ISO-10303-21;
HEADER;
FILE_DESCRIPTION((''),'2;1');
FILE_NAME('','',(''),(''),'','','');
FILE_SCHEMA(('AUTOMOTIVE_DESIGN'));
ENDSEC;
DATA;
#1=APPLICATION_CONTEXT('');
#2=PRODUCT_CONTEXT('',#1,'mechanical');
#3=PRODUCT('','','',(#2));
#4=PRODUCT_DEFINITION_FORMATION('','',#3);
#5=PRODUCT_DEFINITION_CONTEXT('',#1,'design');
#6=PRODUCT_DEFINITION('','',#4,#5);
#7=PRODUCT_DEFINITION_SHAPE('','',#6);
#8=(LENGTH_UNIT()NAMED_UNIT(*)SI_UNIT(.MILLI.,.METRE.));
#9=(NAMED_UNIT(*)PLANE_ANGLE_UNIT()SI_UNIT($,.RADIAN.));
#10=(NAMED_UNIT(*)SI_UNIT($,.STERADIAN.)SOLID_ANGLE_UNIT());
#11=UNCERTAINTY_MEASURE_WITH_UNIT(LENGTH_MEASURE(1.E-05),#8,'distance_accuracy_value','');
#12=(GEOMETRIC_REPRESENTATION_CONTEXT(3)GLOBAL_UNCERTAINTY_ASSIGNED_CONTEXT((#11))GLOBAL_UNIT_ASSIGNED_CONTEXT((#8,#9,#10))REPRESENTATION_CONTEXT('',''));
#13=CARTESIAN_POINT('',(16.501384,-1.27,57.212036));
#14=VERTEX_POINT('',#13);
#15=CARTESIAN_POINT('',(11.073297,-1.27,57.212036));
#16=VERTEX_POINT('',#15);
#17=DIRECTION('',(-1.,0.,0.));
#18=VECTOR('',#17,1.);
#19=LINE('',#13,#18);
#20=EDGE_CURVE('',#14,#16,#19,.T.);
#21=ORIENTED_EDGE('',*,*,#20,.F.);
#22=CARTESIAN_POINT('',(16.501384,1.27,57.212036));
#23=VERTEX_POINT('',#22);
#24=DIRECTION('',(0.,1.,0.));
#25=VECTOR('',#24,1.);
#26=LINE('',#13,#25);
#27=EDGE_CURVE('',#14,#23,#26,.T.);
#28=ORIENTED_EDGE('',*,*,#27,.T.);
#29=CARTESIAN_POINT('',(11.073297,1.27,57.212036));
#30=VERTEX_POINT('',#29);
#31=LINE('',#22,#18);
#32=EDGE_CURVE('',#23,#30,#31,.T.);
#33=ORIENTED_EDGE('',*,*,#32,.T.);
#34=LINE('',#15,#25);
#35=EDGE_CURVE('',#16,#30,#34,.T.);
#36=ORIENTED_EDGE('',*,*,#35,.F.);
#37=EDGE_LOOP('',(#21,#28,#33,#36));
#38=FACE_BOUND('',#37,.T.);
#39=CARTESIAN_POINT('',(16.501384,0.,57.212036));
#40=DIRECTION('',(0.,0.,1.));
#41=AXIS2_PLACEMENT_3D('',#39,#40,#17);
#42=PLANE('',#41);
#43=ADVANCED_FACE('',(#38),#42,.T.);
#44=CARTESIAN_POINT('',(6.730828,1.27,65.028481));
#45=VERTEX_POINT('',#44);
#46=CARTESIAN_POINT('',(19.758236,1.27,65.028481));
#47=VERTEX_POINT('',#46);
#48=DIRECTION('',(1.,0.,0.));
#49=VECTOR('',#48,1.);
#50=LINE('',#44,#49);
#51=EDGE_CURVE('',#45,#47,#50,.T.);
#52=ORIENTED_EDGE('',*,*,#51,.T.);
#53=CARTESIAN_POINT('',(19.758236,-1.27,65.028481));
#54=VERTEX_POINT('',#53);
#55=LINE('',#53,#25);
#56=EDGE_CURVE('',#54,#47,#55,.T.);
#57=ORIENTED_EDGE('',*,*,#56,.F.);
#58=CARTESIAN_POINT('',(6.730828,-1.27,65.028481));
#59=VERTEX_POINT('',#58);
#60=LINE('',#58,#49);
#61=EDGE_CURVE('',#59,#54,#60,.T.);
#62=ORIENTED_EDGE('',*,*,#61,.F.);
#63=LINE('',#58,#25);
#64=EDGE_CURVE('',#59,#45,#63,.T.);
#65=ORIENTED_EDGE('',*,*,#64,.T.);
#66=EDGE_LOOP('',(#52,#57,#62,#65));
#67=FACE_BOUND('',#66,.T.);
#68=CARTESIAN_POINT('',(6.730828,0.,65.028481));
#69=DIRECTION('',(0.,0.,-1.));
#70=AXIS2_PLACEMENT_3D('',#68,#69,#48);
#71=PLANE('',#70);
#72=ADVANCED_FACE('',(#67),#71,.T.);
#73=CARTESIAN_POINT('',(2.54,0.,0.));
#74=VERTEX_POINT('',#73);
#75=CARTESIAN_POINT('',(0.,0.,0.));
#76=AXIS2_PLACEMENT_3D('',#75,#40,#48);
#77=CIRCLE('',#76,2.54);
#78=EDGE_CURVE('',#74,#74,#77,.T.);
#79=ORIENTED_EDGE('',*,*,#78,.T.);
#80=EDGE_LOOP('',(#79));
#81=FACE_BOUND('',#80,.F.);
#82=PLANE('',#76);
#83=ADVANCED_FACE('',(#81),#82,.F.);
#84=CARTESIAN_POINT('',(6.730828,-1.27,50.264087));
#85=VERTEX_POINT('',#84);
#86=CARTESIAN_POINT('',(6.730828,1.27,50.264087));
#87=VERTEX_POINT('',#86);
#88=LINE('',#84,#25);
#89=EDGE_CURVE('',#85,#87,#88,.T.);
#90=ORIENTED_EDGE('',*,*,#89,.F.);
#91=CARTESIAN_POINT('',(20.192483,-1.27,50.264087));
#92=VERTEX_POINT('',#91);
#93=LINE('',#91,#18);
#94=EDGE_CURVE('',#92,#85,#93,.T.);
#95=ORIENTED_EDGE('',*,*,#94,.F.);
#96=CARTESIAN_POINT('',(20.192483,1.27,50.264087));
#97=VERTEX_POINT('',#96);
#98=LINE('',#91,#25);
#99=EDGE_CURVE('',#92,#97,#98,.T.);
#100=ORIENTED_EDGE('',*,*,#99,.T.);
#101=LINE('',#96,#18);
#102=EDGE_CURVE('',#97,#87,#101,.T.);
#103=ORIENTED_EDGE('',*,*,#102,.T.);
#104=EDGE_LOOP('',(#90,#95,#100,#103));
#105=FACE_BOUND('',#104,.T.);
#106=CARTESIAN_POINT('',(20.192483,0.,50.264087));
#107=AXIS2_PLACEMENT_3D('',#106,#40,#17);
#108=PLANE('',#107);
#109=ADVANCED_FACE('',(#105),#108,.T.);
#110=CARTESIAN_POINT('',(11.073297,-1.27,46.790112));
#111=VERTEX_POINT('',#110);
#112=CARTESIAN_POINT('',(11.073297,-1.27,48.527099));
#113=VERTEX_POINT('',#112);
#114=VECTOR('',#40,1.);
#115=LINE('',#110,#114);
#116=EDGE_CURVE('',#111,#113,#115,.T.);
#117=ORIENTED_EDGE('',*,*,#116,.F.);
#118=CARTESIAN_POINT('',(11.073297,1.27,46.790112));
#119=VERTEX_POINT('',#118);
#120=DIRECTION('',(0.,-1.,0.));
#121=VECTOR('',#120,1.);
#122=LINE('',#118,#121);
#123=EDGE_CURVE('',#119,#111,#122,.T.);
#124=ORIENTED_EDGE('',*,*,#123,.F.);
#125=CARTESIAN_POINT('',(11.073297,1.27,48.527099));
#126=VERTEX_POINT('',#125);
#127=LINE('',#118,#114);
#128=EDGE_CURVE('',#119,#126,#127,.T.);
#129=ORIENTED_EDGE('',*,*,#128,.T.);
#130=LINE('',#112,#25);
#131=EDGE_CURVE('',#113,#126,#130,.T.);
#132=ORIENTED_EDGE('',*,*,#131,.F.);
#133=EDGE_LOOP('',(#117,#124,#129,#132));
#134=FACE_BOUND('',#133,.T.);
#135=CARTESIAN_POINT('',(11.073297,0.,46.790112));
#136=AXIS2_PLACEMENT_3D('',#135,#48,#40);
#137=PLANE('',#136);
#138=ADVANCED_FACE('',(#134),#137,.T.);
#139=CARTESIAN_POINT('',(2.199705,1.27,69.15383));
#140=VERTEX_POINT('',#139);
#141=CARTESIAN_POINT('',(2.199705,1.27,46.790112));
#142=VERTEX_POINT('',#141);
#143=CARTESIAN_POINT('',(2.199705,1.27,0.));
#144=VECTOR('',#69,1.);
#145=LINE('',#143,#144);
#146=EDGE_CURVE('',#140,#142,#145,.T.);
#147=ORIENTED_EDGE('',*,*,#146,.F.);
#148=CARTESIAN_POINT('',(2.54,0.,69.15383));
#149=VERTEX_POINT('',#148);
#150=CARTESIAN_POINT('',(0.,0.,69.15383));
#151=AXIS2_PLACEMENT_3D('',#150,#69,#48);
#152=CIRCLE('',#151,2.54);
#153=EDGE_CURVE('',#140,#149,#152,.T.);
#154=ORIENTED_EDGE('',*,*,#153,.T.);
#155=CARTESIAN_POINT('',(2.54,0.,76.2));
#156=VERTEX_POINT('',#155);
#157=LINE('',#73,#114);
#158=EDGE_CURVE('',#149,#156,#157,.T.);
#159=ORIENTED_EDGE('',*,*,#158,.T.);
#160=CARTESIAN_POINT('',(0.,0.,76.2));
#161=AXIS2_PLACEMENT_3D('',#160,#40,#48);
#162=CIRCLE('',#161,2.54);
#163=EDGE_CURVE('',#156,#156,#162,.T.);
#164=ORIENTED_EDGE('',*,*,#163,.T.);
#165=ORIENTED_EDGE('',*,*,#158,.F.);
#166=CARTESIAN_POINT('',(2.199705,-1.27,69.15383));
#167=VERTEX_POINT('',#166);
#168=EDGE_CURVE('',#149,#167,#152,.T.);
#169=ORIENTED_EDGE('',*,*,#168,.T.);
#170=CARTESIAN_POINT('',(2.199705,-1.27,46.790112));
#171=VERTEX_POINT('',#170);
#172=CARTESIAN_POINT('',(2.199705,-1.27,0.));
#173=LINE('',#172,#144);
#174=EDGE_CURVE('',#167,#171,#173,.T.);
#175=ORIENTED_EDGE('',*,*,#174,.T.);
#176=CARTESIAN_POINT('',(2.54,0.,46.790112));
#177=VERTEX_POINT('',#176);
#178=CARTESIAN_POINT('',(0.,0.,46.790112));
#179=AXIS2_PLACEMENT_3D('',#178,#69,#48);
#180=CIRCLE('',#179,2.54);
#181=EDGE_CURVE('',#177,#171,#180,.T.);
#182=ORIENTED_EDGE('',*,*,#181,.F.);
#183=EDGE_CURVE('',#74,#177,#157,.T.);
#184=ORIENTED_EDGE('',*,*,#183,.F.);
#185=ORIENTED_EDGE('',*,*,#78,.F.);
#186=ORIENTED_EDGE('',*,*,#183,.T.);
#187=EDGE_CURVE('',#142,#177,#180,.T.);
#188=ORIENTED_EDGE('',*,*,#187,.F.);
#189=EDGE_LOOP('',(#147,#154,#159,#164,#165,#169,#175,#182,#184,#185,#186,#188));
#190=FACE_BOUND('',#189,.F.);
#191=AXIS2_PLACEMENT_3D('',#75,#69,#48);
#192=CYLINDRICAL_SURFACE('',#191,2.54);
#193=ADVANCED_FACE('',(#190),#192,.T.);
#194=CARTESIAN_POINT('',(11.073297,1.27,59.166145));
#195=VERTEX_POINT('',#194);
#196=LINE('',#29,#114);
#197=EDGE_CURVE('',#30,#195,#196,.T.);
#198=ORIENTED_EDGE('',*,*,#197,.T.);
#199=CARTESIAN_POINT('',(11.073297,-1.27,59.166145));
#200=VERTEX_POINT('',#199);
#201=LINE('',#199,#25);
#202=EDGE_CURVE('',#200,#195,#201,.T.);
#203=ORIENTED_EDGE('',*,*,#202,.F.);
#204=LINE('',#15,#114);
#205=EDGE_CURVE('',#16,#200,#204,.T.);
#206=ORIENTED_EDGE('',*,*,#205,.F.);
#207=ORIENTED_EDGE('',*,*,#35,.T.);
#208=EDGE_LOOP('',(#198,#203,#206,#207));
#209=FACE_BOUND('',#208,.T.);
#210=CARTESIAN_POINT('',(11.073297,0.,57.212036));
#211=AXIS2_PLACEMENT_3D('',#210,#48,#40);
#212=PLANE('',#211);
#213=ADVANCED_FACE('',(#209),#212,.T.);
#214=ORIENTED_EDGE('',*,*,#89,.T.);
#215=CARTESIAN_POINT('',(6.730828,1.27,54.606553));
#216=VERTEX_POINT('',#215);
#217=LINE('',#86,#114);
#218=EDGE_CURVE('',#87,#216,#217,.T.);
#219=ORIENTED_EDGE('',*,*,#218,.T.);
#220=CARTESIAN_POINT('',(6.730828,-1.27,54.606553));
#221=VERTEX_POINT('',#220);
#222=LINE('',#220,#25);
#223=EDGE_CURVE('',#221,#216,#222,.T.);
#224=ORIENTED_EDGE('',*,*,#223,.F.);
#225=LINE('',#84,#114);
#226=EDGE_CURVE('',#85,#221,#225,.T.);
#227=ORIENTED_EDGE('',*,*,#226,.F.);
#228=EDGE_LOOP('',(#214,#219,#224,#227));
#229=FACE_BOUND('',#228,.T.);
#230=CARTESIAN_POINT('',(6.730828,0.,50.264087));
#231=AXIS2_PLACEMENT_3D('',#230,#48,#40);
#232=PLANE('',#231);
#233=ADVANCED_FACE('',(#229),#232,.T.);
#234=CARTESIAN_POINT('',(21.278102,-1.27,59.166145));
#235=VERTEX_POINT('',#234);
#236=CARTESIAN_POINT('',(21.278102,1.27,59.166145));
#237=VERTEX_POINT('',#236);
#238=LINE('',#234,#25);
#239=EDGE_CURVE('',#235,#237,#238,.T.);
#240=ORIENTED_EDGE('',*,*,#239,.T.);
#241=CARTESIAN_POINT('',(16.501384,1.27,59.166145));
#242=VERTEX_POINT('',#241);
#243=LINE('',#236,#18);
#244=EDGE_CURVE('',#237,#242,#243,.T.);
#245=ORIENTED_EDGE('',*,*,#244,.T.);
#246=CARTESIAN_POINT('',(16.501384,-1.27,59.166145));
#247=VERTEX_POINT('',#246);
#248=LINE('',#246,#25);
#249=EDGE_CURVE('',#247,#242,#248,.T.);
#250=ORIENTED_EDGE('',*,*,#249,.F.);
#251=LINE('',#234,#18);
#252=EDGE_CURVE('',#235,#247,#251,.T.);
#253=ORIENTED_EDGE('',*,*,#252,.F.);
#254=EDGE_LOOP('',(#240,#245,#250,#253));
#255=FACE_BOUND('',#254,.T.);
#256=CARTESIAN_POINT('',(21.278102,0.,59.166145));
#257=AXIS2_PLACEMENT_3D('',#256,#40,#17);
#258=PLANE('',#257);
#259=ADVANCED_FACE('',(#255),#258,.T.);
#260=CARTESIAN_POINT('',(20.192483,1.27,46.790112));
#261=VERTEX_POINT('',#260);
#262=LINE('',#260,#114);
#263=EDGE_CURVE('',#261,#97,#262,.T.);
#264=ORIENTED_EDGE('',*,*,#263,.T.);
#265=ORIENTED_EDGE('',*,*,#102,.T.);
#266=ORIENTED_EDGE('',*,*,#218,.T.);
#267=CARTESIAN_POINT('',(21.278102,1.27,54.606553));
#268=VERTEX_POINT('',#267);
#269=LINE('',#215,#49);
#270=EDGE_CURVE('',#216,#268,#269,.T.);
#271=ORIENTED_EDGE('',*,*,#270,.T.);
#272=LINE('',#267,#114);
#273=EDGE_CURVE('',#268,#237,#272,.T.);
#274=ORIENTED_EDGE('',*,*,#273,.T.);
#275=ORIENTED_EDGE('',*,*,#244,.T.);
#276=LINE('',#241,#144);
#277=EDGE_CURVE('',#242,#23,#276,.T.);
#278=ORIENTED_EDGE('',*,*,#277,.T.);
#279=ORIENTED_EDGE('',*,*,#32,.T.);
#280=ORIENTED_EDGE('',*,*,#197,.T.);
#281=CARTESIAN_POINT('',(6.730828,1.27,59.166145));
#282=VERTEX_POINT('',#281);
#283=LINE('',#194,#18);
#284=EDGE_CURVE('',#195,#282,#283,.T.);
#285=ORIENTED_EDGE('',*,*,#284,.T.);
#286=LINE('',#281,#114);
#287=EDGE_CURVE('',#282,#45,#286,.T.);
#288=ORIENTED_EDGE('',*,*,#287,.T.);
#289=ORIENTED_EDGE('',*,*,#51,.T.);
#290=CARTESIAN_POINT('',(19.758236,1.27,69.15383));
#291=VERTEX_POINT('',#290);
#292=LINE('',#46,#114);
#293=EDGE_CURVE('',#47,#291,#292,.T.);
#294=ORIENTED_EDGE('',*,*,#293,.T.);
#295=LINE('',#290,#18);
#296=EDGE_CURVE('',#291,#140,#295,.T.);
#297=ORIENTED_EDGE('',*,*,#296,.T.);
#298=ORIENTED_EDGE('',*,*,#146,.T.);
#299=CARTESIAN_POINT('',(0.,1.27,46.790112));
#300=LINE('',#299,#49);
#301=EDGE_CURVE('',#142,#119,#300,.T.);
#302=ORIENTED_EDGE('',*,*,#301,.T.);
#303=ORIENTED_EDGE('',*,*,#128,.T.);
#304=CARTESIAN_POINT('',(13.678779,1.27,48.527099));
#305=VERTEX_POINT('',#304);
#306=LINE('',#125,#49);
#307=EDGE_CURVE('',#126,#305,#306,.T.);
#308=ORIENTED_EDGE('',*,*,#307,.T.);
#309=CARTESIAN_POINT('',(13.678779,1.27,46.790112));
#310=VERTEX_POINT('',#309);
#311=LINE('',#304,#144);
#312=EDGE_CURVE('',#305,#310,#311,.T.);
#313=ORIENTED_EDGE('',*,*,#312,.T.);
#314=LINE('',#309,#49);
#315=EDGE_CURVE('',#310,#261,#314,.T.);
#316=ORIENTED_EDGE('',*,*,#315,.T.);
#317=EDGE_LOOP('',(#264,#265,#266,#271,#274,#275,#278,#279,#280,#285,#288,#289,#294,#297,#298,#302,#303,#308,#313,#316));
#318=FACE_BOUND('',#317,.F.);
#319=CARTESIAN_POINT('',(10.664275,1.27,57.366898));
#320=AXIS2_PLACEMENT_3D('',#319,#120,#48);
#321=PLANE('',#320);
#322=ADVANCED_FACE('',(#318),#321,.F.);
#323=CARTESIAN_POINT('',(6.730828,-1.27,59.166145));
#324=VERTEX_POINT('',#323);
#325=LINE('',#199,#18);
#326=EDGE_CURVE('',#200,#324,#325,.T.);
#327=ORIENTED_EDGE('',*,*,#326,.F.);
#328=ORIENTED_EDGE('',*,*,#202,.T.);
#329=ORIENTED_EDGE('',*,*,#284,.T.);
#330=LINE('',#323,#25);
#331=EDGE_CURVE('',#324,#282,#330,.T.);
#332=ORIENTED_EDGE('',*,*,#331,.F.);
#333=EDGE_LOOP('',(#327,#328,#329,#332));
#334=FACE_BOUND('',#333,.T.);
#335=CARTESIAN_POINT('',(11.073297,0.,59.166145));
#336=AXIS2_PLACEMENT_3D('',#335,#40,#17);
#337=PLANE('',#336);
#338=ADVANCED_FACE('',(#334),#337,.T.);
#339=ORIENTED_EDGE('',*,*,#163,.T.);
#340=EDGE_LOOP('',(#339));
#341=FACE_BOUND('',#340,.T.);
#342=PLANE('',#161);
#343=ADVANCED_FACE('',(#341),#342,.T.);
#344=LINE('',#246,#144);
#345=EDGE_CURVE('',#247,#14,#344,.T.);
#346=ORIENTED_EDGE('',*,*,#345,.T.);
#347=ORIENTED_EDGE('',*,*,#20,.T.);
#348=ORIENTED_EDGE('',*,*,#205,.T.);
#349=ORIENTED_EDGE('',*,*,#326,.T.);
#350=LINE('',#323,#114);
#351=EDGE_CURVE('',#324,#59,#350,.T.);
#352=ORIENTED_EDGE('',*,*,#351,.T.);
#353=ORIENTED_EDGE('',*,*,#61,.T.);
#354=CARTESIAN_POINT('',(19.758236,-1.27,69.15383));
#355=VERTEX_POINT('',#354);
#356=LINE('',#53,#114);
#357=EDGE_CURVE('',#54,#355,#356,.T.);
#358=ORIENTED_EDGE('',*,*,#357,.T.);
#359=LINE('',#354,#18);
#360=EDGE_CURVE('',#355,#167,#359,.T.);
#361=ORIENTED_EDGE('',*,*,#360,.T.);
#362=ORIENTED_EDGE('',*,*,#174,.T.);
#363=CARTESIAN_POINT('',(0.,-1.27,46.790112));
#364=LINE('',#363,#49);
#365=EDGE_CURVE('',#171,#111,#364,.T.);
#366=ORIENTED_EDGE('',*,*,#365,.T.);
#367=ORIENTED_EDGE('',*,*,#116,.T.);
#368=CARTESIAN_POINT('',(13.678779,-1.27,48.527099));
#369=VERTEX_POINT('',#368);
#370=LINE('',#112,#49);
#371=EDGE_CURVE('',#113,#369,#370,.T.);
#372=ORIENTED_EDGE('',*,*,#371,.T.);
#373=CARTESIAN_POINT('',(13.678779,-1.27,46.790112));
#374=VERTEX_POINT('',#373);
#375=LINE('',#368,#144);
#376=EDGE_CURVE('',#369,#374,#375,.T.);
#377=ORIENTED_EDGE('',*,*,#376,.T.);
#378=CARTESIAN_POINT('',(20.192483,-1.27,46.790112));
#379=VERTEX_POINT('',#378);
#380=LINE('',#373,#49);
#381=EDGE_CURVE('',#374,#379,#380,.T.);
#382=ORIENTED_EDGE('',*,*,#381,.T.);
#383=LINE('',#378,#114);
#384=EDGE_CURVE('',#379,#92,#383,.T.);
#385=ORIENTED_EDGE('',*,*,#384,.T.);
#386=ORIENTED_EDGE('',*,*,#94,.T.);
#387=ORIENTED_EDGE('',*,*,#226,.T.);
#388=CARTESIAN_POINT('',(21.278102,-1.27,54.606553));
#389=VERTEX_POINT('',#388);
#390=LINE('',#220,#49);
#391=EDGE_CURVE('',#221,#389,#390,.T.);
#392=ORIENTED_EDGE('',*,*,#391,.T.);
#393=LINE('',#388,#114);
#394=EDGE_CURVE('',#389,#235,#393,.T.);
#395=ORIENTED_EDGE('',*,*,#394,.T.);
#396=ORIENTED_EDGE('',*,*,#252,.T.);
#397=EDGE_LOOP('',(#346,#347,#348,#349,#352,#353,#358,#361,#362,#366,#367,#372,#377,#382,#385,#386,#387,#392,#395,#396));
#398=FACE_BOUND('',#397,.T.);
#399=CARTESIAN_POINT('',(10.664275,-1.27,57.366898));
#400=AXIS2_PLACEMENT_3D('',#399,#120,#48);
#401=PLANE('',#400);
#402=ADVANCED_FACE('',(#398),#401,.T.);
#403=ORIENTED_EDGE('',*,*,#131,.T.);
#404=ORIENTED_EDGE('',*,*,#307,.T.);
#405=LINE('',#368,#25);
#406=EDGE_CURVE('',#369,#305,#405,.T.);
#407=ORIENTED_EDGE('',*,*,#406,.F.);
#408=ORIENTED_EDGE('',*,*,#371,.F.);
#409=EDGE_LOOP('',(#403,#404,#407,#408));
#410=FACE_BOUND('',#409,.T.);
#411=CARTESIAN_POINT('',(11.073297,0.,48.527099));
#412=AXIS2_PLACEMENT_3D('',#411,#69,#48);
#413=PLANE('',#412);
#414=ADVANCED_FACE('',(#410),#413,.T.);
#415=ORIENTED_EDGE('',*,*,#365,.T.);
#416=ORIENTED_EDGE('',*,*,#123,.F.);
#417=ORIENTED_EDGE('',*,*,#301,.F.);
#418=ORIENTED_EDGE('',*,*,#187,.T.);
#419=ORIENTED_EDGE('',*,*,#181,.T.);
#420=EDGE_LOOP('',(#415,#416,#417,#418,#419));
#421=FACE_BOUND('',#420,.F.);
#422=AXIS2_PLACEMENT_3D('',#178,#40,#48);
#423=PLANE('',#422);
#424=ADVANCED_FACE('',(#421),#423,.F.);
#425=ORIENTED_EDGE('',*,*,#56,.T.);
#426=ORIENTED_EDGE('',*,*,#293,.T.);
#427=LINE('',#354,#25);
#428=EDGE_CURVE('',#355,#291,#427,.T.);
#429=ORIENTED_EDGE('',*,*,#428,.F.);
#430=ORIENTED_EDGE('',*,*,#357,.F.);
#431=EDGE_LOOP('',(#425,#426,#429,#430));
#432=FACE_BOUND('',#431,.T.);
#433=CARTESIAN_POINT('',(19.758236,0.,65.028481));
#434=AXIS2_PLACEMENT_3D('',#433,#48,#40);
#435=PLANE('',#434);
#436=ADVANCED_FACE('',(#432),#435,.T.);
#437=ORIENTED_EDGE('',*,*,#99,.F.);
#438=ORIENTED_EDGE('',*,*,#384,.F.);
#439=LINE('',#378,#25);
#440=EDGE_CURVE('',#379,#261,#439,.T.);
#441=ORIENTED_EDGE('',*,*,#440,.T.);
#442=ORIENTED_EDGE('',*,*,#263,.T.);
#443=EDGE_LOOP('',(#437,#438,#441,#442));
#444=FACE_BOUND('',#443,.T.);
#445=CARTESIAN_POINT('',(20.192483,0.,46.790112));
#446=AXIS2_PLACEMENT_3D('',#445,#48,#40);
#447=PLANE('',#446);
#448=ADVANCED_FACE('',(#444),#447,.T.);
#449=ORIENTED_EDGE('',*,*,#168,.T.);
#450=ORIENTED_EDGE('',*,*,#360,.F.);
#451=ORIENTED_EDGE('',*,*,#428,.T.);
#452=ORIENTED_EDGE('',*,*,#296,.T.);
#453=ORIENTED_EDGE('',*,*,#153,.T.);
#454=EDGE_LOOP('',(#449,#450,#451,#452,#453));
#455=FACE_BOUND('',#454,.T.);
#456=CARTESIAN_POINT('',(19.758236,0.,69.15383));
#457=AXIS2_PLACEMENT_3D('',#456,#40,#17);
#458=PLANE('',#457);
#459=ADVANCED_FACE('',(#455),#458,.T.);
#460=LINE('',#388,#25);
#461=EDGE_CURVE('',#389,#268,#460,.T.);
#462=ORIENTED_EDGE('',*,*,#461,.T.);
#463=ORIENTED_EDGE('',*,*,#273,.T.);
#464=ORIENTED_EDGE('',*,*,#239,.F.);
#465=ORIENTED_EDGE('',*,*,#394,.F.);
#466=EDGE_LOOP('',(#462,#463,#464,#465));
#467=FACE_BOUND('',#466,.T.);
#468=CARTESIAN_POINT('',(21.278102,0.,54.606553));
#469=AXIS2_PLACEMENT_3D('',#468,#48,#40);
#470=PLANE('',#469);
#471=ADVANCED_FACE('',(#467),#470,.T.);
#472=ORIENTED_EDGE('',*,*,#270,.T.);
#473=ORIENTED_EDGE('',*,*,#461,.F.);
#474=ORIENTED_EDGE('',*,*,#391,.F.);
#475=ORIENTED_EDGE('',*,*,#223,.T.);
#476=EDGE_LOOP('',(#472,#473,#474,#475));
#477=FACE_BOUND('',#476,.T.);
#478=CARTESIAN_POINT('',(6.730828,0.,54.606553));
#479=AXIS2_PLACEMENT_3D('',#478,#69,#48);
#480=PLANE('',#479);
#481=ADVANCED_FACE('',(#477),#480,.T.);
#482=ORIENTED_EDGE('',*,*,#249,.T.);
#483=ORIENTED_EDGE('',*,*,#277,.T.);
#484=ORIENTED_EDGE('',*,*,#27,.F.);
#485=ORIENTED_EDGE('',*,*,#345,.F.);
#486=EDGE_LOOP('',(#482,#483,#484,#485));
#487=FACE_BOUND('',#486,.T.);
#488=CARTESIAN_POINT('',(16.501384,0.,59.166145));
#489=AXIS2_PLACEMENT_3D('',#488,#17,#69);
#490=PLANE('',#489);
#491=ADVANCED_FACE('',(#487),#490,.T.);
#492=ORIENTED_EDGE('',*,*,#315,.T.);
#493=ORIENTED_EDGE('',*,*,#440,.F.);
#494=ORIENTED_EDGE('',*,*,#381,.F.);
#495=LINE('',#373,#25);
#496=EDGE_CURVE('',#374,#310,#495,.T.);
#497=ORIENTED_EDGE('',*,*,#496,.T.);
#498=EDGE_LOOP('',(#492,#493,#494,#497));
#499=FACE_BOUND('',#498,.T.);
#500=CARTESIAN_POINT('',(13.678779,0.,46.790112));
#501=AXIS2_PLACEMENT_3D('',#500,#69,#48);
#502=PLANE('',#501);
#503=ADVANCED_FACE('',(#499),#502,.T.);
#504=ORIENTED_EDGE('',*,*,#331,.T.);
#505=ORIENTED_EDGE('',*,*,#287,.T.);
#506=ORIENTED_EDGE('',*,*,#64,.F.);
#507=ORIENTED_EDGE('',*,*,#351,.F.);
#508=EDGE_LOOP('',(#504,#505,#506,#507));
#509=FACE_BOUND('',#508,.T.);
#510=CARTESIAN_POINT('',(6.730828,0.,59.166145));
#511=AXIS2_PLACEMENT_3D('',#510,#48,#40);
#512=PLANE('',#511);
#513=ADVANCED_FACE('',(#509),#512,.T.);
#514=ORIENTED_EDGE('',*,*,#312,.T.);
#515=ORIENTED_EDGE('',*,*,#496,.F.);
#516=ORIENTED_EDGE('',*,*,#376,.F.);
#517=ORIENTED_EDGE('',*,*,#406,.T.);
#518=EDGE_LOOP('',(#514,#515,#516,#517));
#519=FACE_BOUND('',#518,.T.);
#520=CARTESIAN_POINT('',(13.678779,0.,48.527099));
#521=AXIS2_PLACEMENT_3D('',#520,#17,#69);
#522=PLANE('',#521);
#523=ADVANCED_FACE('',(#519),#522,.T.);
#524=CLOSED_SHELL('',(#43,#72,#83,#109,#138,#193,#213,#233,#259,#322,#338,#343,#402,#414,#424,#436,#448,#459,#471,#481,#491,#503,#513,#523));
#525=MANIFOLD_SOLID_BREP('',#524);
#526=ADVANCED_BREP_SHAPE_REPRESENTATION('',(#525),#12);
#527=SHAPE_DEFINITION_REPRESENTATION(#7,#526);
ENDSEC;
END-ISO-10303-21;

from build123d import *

# Parameters (mm, degrees)
F0_R     = 2.54
F1_DEPTH = 76.2
F3_DEPTH = 1.27
F4_DEPTH = 1.27


with BuildPart() as f1:
    # F0 (on Top) → F1 (new body)
    with BuildSketch(Plane.XY):
        Circle(F0_R)
    extrude(amount=F1_DEPTH)

    # F2 (on Front) → F3 (join)
    with BuildSketch(Plane.XZ):
        Polygon((19.7582356632, 69.153830409), (0, 69.153830409), (0, 46.79011181), (11.0732968897, 46.79011181), (11.0732968897, 48.5270991921), (13.6787788942, 48.5270991921), (13.6787788942, 46.79011181), (20.19248344, 46.79011181), (20.19248344, 50.2640865743), (6.7308279686, 50.2640865743), (6.7308279686, 54.6065531671), (21.2781019509, 54.6065531671), (21.2781019509, 59.1661445796), (16.5013838559, 59.1661445796), (16.5013838559, 57.212036103), (11.0732968897, 57.212036103), (11.0732968897, 59.1661445796), (6.7308279686, 59.1661445796), (6.7308279686, 65.0284811854), (19.7582356632, 65.0284811854), align=None)
    extrude(amount=F3_DEPTH)

    # F2 (on Front) → F4 (join)
    with BuildSketch(Plane.XZ):
        Polygon((19.7582356632, 69.153830409), (0, 69.153830409), (0, 46.79011181), (11.0732968897, 46.79011181), (11.0732968897, 48.5270991921), (13.6787788942, 48.5270991921), (13.6787788942, 46.79011181), (20.19248344, 46.79011181), (20.19248344, 50.2640865743), (6.7308279686, 50.2640865743), (6.7308279686, 54.6065531671), (21.2781019509, 54.6065531671), (21.2781019509, 59.1661445796), (16.5013838559, 59.1661445796), (16.5013838559, 57.212036103), (11.0732968897, 57.212036103), (11.0732968897, 59.1661445796), (6.7308279686, 59.1661445796), (6.7308279686, 65.0284811854), (19.7582356632, 65.0284811854), align=None)
    extrude(amount=-F4_DEPTH)


solid = f1.part
